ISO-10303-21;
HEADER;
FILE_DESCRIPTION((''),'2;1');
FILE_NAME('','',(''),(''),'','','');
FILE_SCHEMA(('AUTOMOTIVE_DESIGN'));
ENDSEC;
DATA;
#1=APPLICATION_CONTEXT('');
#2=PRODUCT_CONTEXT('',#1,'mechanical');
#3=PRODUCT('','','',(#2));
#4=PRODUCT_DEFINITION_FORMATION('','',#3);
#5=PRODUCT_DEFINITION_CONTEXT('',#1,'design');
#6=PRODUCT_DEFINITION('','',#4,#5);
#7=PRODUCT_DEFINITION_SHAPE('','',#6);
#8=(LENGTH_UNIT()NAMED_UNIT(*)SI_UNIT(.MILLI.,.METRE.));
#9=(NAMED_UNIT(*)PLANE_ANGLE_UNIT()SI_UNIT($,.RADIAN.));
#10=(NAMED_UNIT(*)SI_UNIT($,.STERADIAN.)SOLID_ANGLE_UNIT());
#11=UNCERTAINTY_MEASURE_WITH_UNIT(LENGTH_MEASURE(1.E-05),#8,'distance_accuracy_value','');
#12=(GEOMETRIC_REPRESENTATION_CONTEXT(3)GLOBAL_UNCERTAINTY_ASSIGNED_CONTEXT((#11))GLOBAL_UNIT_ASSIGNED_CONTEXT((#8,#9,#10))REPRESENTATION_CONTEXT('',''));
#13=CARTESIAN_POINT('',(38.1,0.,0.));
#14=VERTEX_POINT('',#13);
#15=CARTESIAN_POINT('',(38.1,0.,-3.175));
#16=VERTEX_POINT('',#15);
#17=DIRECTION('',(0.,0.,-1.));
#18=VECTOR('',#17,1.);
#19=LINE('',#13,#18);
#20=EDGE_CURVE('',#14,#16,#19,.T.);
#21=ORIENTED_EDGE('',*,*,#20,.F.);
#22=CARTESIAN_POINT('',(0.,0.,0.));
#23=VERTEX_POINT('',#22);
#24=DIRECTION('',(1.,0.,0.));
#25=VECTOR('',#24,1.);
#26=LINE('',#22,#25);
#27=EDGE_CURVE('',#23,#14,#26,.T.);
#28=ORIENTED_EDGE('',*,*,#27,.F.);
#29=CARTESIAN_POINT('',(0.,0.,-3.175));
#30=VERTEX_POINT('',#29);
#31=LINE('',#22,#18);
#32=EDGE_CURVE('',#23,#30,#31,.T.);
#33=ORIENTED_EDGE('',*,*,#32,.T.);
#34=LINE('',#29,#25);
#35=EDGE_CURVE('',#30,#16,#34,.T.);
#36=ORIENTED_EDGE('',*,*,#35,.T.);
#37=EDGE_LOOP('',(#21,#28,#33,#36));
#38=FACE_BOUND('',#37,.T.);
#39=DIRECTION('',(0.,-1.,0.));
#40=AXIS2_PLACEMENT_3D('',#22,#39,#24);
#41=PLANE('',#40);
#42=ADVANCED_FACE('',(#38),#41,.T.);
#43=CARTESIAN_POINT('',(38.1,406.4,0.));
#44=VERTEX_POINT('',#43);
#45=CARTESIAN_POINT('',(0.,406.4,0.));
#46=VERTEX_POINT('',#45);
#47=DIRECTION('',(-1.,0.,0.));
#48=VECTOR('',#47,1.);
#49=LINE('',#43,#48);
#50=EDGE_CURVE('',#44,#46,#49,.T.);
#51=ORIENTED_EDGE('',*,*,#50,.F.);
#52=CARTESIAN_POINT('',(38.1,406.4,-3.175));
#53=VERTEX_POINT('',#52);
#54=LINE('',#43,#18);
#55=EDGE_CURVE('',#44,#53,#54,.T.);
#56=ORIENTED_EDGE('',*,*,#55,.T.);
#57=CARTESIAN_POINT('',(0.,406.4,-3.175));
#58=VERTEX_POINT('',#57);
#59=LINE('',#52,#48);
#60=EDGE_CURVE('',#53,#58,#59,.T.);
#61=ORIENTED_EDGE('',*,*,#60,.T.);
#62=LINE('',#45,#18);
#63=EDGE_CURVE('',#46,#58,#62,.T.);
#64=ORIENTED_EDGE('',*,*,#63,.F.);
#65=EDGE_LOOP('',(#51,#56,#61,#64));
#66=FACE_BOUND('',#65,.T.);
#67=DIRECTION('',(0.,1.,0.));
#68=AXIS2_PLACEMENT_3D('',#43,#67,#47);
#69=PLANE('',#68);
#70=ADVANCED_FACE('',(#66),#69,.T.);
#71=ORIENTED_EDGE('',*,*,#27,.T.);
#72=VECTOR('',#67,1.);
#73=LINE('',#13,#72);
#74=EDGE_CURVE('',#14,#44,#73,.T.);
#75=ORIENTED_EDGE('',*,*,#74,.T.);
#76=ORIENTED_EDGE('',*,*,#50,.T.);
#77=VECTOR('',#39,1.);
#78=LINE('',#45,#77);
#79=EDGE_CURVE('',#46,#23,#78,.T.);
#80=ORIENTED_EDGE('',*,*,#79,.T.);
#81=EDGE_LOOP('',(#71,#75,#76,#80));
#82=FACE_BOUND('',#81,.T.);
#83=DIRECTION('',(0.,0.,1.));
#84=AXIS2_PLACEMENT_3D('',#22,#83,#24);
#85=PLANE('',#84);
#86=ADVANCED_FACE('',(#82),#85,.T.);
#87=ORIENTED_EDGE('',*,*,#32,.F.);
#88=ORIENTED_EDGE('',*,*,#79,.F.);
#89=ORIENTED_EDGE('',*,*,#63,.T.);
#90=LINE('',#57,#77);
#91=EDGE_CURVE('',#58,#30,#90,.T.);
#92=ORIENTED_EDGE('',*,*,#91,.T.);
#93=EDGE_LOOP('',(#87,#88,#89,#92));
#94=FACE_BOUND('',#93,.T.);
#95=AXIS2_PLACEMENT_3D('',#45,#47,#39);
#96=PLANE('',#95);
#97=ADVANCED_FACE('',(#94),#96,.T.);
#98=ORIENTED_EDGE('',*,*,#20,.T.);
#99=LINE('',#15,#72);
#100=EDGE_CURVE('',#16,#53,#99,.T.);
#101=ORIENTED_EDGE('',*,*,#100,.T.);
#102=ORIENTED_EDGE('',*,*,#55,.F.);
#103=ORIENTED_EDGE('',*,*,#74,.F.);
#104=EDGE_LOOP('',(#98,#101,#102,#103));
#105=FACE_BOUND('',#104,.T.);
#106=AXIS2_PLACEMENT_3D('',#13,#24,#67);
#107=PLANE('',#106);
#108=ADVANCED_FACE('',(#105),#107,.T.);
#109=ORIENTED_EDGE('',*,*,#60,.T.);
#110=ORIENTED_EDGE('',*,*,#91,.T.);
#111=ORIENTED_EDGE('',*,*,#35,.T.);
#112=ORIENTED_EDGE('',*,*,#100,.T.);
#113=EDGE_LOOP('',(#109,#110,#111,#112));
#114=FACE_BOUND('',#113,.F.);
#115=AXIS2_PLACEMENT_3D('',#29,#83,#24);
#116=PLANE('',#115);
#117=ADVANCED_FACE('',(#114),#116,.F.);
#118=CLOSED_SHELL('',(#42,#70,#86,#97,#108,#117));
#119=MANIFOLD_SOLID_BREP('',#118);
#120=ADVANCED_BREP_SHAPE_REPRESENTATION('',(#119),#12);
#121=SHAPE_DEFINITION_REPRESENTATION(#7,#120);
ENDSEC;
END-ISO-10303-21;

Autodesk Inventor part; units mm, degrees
ref_plane "YZ Plane" through (0, 0, 0) normal (1, 0, 0) x (0, 1, 0)
ref_plane "XZ Plane" through (0, 0, 0) normal (0, 1, 0) x (-1, 0, 0)
ref_plane "XY Plane" through (0, 0, 0) normal (0, 0, 1) x (1, 0, 0)
sketch "Sketch1" plane through (0, 0, 0) normal (0, 0, 1) x (1, 0, 0)
  line L0 (0, 0) -> (38.1, 0)
  line L1 (38.1, 0) -> (38.1, 406.4)
  line L2 (38.1, 406.4) -> (0, 406.4)
  line L3 (0, 406.4) -> (0, 0)
  dimension "d0" = 38.1
  dimension "d1" = 406.4
extrude "Extrusion1" add sketch "Sketch1" against normal blind 3.175
properties part number "steel_p60_mounting _plate"
